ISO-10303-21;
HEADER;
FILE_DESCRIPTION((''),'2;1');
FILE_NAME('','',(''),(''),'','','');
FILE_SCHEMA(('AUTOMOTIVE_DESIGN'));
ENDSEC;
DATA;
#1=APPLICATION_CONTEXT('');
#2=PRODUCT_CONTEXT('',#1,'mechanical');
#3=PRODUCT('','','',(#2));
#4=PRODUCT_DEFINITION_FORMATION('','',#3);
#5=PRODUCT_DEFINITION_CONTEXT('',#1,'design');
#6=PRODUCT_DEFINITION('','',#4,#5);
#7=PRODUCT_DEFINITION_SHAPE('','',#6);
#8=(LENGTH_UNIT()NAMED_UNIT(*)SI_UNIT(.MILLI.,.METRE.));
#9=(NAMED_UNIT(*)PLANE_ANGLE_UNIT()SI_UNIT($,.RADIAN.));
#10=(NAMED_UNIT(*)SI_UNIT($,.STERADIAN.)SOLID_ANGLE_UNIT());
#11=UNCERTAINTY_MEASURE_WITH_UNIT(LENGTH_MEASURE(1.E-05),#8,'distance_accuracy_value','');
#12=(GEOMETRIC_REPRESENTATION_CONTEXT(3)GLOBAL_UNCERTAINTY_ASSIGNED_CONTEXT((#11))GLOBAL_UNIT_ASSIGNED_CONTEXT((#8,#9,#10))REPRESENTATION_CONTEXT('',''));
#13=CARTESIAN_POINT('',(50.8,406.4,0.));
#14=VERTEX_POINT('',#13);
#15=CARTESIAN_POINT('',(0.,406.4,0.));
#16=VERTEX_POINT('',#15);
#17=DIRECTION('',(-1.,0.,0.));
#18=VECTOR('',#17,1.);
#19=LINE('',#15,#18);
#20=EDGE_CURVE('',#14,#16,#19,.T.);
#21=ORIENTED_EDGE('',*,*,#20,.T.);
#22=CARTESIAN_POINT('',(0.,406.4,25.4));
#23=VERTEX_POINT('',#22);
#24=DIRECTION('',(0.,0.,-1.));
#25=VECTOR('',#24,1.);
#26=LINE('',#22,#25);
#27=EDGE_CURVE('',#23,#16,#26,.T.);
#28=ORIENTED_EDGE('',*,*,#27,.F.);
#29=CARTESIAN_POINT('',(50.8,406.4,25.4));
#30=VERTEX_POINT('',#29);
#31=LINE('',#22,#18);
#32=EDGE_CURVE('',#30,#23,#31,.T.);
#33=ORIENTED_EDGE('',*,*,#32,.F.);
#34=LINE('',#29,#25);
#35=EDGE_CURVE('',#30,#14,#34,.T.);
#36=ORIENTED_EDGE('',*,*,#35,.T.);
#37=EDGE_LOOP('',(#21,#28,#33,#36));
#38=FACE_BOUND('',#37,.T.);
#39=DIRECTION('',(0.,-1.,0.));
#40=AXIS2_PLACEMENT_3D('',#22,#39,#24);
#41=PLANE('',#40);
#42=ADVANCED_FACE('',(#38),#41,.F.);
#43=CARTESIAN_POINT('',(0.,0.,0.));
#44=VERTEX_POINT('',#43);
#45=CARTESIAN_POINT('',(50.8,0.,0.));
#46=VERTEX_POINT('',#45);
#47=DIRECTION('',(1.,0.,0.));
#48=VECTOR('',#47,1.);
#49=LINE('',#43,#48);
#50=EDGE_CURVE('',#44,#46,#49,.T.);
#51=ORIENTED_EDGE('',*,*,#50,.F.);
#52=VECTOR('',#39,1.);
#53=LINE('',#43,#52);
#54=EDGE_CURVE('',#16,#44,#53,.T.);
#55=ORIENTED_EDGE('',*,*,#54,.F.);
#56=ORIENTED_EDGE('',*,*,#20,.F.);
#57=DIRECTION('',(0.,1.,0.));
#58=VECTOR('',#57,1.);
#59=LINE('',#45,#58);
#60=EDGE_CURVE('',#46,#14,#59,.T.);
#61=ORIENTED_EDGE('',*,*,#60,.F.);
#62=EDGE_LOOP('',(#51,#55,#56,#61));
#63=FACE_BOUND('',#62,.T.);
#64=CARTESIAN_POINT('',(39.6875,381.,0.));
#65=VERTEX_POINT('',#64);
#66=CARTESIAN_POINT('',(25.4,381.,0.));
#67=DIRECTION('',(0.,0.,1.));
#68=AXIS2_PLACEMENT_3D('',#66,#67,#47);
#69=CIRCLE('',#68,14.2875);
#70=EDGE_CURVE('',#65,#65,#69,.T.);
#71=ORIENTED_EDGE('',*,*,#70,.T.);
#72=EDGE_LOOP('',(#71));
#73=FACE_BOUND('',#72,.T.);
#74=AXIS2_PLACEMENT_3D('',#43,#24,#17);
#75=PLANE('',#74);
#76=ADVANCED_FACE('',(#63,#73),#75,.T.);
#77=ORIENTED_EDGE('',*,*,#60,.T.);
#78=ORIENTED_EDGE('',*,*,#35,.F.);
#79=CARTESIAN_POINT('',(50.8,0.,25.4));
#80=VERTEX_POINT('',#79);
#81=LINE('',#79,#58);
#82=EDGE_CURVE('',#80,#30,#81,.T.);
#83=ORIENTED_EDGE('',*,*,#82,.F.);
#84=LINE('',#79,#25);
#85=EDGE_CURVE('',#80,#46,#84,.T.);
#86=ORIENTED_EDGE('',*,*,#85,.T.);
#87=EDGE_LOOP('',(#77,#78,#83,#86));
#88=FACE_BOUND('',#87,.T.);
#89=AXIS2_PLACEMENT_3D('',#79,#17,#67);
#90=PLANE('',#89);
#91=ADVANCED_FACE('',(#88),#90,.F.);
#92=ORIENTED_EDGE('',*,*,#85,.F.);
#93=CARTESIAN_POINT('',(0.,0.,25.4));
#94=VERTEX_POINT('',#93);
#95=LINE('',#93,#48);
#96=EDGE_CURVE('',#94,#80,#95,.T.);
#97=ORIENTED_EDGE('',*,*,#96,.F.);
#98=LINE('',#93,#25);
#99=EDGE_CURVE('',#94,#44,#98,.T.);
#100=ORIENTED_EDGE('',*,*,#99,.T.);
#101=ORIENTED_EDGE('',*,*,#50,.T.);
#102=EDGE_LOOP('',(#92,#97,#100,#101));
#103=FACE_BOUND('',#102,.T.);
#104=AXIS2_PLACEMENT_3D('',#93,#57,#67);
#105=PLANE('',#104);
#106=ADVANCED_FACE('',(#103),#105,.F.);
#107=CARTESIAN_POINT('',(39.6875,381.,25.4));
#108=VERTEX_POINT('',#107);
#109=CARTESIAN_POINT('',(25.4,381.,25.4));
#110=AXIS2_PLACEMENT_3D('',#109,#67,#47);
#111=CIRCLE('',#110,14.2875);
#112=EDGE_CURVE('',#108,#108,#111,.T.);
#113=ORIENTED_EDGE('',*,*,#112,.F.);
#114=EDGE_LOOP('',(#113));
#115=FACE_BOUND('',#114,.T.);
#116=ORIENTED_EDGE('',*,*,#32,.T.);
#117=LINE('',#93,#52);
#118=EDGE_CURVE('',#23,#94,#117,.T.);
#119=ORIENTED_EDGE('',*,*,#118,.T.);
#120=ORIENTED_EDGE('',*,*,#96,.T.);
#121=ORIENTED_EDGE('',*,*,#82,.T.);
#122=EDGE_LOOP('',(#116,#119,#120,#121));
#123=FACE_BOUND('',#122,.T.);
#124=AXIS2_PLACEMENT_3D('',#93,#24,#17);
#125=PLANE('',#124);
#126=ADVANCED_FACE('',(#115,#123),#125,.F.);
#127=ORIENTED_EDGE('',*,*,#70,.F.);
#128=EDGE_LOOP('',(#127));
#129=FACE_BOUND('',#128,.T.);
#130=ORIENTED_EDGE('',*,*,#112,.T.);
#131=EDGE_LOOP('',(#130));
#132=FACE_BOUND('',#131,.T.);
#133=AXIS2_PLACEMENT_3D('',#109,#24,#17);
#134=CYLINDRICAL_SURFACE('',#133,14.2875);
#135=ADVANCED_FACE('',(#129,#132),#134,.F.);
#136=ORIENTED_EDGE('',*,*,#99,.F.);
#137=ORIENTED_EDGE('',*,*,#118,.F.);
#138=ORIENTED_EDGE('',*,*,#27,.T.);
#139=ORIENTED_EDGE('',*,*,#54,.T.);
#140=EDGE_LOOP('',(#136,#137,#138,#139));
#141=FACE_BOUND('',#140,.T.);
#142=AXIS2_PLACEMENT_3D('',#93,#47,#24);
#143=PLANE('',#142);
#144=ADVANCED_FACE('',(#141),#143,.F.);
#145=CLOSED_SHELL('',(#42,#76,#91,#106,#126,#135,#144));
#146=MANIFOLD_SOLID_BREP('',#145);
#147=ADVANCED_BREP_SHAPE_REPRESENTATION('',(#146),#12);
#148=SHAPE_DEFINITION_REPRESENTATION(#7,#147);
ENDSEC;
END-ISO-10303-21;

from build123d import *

# Parameters (mm, degrees)
SKETCH1_W           = 50.8
SKETCH1_H           = 406.4
SKETCH1_R           = 14.2875
BOSS_EXTRUDE1_DEPTH = 25.4


with BuildPart() as part:
    # Sketch1 → Boss-Extrude1 (new body)
    with BuildSketch(Plane.XY):
        with Locations((25.4, 203.2)):
            Rectangle(SKETCH1_W, SKETCH1_H)
        with Locations((25.4, 381)):
            Circle(SKETCH1_R, mode=Mode.SUBTRACT)
    extrude(amount=BOSS_EXTRUDE1_DEPTH)


solid = part.part
